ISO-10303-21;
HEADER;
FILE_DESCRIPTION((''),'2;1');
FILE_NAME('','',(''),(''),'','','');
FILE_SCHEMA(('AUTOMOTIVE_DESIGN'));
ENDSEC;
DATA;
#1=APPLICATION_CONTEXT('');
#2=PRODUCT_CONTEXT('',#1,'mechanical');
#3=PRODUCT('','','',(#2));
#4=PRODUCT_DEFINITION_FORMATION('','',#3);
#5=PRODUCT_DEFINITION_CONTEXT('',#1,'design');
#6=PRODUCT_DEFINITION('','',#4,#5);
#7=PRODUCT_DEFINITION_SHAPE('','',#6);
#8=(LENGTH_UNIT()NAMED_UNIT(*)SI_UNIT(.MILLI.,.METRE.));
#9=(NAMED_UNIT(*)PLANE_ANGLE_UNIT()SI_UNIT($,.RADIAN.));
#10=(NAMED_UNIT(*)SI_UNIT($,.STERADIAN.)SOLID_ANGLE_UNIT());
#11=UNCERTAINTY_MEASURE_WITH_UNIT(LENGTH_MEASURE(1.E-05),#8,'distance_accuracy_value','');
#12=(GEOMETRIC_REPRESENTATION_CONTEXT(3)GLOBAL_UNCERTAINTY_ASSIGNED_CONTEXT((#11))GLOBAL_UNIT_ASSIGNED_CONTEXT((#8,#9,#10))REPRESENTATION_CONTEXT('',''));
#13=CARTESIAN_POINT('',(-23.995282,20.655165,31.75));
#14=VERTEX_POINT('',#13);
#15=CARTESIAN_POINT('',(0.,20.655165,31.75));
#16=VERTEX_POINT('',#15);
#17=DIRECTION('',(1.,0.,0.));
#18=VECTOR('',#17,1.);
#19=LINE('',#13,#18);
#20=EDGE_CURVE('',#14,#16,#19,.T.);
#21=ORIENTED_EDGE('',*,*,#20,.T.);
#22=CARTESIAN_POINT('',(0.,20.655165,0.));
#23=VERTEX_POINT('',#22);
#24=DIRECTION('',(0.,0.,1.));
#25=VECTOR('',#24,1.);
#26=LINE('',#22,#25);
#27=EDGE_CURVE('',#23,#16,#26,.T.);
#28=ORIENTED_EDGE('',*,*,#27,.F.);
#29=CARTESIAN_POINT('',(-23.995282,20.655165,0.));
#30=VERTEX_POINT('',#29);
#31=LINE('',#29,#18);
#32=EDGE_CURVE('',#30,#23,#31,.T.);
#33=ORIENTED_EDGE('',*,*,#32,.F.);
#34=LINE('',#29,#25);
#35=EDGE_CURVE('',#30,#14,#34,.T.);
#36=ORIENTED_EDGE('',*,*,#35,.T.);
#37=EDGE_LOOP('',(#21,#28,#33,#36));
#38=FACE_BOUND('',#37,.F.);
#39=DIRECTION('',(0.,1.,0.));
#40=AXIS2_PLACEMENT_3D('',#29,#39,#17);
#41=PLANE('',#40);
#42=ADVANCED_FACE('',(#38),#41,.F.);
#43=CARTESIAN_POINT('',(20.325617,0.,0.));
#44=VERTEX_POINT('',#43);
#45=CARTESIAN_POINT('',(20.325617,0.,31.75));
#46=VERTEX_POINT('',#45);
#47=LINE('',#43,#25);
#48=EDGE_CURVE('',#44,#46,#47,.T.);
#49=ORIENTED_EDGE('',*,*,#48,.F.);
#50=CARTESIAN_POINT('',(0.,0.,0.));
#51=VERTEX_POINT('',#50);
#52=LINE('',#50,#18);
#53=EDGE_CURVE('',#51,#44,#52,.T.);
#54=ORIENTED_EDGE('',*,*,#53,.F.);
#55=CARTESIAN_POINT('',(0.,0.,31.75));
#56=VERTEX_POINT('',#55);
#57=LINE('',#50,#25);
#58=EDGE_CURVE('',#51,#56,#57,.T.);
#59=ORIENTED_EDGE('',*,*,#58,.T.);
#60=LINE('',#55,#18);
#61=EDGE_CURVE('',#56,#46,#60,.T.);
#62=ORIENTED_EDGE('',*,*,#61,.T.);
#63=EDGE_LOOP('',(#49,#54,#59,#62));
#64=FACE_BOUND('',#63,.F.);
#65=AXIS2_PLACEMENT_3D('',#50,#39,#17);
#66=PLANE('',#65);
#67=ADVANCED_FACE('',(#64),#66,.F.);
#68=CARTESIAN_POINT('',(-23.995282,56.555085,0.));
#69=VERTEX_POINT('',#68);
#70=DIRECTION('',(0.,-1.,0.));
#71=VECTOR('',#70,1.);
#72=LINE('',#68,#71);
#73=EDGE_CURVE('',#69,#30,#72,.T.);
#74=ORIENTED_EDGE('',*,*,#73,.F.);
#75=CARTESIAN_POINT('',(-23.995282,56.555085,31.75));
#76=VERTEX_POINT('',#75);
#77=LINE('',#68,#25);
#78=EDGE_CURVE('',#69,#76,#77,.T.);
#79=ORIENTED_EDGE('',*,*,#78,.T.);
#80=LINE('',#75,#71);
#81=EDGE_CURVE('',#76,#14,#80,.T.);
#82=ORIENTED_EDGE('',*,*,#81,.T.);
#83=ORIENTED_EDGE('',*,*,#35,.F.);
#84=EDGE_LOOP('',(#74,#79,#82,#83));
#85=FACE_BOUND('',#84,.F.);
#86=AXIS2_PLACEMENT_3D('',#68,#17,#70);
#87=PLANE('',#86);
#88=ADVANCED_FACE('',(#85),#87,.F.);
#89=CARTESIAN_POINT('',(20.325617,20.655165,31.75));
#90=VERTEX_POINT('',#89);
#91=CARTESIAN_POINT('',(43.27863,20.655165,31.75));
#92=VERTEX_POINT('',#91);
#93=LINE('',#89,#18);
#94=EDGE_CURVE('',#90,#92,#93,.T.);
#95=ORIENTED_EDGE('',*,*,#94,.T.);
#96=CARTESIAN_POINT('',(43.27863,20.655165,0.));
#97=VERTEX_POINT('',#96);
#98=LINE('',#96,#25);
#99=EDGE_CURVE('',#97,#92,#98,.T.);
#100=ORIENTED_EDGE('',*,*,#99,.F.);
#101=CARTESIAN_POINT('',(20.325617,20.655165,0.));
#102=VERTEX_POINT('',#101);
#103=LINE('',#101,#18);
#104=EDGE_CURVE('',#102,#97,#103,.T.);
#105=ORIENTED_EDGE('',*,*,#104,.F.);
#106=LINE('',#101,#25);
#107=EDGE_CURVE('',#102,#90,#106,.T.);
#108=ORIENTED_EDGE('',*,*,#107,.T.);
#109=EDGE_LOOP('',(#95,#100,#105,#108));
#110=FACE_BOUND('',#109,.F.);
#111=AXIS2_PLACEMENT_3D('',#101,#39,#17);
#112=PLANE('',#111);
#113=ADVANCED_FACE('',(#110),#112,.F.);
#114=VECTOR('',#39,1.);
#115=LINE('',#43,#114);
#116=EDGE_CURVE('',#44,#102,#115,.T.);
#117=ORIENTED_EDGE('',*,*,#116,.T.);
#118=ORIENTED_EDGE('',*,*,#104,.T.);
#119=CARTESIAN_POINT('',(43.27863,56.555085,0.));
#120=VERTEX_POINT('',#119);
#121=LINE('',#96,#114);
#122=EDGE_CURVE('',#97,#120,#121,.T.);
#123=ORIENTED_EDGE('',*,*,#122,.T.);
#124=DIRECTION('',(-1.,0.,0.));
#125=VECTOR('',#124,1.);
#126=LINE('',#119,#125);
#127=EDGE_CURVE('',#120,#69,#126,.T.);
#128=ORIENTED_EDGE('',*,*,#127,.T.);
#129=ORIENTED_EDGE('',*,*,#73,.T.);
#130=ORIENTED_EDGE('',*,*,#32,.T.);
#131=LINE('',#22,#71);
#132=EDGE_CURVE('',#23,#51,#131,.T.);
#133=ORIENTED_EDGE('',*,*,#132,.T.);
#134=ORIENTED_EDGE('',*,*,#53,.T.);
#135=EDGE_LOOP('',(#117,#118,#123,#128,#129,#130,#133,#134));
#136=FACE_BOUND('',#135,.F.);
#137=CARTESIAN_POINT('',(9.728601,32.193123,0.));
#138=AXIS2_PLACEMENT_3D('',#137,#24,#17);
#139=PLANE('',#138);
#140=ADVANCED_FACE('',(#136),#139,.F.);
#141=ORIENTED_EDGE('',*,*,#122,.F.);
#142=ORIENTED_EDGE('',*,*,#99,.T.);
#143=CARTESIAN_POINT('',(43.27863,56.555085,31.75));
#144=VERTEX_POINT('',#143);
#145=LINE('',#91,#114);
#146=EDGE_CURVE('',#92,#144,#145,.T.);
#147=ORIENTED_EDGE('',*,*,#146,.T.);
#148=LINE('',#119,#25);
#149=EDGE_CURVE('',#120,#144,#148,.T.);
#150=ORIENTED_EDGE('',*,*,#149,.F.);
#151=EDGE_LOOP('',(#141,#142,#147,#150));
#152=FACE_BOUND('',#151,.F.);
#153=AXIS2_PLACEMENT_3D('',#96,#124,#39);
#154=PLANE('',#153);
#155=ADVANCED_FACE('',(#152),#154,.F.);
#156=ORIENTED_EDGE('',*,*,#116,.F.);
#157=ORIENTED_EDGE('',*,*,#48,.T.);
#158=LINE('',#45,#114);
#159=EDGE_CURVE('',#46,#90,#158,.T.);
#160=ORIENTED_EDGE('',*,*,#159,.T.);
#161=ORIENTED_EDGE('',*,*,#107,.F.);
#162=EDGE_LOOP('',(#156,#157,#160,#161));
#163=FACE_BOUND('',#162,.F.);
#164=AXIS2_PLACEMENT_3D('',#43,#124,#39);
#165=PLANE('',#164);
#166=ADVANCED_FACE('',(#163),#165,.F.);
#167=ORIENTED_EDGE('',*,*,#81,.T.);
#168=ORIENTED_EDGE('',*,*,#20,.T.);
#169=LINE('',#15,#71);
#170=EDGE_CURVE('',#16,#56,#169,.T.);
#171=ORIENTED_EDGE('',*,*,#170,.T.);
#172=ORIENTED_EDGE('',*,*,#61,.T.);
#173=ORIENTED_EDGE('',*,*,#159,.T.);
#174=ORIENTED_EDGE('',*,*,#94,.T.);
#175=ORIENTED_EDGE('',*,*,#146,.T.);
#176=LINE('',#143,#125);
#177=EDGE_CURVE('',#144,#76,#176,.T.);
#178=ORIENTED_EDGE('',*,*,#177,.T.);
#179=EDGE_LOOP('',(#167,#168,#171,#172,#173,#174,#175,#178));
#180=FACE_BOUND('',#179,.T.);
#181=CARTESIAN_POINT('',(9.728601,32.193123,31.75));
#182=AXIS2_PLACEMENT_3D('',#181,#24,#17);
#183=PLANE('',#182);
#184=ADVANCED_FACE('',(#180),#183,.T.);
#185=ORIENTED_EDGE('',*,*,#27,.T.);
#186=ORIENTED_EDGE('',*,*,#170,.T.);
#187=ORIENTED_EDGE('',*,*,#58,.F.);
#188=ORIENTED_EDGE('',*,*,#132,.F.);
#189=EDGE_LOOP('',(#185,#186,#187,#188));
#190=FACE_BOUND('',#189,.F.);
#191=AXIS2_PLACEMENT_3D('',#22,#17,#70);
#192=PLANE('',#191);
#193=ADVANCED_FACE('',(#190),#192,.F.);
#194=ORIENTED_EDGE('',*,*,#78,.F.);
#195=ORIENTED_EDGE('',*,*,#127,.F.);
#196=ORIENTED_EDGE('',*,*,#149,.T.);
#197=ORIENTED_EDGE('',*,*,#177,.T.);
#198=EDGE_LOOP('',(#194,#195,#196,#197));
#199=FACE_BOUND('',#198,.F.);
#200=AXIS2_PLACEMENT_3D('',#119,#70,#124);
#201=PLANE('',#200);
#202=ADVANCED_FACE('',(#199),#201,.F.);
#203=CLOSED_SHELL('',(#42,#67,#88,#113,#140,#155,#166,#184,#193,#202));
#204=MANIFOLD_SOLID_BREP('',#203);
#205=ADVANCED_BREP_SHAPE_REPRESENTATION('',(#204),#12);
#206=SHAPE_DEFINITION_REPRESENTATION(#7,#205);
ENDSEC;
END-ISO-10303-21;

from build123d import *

# Parameters (mm, degrees)
F1_DEPTH = 25.4
F2_SCALE = 1.25


with BuildPart() as f1:
    # F0 (on Top) → F1 (new body)
    with BuildSketch(Plane.XY):
        Polygon((0, 16.5241323411), (0, 0), (16.2604935467, 0), (16.2604935467, 16.5241323411), (34.6229039133, 16.5241323411), (34.6229039133, 45.2440679073), (-19.1962253302, 45.2440679073), (-19.1962253302, 16.5241323411), align=None)
    extrude(amount=F1_DEPTH)


with BuildPart() as f1_1:
    # F2: moved
    add(f1.part.scale(F2_SCALE))


solid = f1_1.part
